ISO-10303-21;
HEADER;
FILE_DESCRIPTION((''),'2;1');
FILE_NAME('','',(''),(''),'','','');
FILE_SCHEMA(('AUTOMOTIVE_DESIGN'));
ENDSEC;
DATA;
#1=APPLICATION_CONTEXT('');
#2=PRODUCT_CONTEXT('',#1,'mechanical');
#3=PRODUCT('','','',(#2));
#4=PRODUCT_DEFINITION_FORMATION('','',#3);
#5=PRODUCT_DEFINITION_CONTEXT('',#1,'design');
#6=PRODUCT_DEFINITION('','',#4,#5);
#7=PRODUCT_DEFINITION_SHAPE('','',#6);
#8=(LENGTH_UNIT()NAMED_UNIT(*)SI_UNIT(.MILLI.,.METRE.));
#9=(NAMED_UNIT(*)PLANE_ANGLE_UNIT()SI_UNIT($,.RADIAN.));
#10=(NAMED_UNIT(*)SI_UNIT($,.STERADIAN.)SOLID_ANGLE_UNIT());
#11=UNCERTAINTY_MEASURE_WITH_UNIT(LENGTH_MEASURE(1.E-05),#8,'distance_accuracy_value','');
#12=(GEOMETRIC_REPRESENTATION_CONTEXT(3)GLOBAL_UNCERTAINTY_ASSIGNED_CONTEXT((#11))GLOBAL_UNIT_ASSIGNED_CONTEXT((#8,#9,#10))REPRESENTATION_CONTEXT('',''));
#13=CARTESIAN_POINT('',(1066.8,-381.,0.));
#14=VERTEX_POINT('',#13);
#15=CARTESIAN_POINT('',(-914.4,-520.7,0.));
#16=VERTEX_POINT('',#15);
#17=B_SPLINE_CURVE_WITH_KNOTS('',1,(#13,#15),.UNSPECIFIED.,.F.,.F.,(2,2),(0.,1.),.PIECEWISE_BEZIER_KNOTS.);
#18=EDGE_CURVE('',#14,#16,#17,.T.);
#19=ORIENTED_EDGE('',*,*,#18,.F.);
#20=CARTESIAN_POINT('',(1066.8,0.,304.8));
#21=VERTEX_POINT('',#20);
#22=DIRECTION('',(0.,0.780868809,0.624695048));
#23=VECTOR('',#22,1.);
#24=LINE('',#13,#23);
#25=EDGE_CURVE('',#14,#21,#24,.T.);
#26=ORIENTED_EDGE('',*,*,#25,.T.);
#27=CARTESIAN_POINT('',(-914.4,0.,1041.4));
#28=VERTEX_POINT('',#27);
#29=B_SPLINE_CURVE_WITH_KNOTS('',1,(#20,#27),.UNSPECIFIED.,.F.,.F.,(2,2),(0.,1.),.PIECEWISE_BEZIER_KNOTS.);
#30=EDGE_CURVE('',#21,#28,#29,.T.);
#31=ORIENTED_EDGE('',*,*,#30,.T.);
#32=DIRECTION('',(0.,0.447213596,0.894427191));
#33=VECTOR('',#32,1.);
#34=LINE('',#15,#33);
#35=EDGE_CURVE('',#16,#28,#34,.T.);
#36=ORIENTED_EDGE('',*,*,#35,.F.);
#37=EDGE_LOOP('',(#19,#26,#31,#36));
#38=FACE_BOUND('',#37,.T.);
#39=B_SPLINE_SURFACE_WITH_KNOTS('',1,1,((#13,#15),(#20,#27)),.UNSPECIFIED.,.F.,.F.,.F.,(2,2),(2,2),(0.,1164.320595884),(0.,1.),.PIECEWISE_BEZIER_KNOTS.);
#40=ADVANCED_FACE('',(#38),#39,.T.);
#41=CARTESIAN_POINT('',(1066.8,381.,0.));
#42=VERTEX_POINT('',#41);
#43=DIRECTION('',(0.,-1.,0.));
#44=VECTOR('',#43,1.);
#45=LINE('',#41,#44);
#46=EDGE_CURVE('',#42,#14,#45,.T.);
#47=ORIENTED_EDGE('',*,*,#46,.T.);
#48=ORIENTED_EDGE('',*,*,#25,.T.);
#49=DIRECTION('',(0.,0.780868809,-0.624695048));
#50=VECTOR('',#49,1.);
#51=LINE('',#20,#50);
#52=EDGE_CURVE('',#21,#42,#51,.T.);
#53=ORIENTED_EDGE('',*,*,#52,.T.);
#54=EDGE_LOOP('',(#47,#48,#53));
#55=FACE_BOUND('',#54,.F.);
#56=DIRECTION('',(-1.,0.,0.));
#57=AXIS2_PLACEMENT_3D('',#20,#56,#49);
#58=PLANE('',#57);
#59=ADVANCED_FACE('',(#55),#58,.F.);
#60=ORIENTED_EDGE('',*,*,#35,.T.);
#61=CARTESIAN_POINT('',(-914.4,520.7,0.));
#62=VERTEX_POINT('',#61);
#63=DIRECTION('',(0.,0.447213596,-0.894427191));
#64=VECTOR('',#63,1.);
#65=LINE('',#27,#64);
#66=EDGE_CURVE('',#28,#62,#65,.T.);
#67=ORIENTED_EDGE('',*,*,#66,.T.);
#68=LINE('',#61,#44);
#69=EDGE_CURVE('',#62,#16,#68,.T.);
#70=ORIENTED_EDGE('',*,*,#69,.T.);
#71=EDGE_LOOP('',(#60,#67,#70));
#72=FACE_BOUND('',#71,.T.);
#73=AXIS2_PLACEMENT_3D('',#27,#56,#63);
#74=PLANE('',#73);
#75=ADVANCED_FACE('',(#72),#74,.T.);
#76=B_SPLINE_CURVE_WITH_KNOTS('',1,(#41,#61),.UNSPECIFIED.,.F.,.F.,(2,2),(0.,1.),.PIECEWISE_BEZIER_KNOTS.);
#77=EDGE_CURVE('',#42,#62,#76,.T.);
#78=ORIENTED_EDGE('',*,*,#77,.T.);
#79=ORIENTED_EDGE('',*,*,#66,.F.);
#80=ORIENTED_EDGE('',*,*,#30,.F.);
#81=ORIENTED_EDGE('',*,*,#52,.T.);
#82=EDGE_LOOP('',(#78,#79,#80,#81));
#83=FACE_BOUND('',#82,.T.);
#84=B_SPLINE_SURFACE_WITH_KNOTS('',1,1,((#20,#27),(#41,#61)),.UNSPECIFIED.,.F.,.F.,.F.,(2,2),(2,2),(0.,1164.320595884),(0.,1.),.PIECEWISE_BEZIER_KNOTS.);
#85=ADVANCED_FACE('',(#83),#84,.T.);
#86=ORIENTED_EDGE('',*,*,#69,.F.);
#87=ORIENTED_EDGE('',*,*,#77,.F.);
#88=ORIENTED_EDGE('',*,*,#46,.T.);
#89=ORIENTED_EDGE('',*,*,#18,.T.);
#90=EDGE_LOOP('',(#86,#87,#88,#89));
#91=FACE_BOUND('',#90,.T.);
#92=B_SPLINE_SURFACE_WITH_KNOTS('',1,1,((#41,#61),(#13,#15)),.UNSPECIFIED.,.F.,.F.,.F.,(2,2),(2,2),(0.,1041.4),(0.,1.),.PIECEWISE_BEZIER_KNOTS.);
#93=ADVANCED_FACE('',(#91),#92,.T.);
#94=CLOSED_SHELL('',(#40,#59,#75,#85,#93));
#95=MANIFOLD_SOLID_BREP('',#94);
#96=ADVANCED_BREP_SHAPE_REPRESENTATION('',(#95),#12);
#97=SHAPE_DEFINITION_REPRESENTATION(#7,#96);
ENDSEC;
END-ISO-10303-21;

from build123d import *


with BuildPart() as f7:
    # F6 (on face) → F7 section 0
    with BuildSketch(Plane(origin=(1066.8, 0, 0), x_dir=(0, -1, 0), z_dir=(-1, 0, 0))):
        Polygon((0, 304.8), (-381, 0), (381, 0), align=None)
    # F5 (on face) → F7 section 1
    with BuildSketch(Plane(origin=(-914.4, 0, 0), x_dir=(0, -1, 0), z_dir=(-1, 0, 0))):
        Polygon((0, 1041.4), (-520.7, 0), (520.7, 0), align=None)
    loft()


solid = f7.part
